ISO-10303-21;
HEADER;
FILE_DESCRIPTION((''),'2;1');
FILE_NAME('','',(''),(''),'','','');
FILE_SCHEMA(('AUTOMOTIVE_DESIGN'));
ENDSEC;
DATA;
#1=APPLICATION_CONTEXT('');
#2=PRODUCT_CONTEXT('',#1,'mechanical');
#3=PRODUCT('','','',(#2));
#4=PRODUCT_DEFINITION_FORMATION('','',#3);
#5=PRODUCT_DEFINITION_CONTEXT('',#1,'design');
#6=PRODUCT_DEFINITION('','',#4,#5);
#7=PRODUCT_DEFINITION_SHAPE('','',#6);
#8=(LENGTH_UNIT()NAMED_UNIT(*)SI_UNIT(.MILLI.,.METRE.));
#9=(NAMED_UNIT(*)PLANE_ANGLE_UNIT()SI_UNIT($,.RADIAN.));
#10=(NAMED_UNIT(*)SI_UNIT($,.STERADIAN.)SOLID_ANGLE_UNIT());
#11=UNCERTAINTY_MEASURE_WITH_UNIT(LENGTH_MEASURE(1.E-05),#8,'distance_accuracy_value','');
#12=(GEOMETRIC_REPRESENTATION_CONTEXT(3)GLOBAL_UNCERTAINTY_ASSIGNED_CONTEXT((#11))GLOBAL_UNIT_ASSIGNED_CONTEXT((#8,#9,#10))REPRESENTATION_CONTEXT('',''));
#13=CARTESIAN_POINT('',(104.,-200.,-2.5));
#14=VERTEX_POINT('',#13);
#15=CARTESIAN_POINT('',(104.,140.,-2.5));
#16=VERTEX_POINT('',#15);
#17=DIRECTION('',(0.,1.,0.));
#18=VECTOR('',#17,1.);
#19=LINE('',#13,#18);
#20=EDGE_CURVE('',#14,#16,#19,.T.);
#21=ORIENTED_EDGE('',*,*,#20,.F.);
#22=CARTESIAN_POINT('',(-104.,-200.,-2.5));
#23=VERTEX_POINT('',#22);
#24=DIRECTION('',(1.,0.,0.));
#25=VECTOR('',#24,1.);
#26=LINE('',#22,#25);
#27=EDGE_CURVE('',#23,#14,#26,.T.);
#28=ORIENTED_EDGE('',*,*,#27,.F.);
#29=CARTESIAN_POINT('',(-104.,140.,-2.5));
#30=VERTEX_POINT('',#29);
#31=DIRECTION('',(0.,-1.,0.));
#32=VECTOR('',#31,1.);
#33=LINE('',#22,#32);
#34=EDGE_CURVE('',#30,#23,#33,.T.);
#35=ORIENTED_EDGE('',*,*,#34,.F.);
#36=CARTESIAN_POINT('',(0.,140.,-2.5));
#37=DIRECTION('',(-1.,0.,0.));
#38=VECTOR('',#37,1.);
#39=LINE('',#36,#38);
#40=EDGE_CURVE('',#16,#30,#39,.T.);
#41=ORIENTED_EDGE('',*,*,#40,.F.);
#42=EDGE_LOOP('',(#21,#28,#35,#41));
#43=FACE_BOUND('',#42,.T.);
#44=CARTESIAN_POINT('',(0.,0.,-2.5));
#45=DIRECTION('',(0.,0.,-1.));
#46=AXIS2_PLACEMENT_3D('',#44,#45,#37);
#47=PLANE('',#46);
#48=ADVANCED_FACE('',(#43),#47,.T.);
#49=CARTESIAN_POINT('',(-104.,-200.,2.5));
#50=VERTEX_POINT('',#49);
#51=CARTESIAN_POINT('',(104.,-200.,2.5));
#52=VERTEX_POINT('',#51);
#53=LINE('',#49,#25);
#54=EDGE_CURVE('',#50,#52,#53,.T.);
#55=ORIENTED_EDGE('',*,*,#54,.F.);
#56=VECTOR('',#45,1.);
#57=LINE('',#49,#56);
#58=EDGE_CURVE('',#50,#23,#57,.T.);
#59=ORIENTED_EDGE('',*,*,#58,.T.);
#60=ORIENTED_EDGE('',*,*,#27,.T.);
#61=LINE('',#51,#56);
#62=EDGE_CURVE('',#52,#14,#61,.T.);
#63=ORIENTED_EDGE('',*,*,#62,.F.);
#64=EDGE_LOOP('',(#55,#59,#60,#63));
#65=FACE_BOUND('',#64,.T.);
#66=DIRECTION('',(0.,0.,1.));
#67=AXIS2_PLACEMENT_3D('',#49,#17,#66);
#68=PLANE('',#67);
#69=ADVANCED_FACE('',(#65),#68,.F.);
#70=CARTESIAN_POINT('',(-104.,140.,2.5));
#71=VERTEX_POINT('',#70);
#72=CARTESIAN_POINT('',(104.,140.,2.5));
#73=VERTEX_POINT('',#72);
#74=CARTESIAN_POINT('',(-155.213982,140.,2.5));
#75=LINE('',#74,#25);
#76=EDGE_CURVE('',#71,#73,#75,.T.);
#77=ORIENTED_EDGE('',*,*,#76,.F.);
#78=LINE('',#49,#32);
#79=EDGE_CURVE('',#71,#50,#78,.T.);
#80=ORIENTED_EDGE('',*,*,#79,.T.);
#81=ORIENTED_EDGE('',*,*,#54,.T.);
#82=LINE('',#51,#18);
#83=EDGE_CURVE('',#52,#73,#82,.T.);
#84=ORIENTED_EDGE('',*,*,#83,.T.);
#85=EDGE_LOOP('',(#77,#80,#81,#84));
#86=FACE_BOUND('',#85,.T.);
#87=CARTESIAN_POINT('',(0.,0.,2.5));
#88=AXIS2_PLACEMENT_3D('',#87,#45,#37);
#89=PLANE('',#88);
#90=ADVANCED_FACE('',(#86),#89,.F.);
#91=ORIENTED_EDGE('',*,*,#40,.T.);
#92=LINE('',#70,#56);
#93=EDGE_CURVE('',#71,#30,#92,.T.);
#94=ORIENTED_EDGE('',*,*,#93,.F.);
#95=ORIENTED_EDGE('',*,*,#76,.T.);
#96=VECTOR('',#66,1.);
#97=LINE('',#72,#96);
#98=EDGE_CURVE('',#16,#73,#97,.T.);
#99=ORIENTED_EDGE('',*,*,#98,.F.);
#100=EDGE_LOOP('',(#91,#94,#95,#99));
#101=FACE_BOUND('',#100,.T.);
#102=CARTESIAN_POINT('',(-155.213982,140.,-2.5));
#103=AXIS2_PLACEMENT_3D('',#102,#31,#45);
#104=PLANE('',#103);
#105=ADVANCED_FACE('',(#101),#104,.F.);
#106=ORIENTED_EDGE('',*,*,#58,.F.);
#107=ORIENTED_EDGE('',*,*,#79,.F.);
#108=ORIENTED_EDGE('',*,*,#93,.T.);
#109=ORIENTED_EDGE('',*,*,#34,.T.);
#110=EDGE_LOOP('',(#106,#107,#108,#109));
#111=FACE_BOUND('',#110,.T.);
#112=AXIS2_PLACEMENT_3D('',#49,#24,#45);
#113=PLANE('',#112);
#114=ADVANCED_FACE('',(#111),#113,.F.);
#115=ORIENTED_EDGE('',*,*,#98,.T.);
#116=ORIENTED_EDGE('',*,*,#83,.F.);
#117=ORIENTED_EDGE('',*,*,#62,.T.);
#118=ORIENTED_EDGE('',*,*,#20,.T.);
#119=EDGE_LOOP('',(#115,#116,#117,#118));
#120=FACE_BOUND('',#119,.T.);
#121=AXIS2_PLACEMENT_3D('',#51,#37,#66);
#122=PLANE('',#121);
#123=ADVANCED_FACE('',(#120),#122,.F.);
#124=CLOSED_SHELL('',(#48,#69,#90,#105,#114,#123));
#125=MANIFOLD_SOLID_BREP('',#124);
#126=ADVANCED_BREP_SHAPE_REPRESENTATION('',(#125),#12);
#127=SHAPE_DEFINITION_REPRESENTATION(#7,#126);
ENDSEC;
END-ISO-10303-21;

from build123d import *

# Parameters (mm, degrees)
SKETCH1_W           = 208
SKETCH1_H           = 400
BOSS_EXTRUDE1_DEPTH = 2.5
SKETCH2_W           = 359.169173544
SKETCH2_H           = 71.825535335
CUT_EXTRUDE1_DEPTH  = 6


with BuildPart() as part:
    # Sketch1 → Boss-Extrude1 (new body, symmetric)
    with BuildSketch(Plane.XY):
        Rectangle(SKETCH1_W, SKETCH1_H)
    extrude(amount=BOSS_EXTRUDE1_DEPTH, both=True)

    # Sketch2 → Cut-Extrude1 (cut, through all)
    with BuildSketch(Plane.XY.offset(2.5)):
        with Locations((24.370605125, 175.912767668)):
            Rectangle(SKETCH2_W, SKETCH2_H)
    extrude(amount=-CUT_EXTRUDE1_DEPTH, mode=Mode.SUBTRACT)


solid = part.part
